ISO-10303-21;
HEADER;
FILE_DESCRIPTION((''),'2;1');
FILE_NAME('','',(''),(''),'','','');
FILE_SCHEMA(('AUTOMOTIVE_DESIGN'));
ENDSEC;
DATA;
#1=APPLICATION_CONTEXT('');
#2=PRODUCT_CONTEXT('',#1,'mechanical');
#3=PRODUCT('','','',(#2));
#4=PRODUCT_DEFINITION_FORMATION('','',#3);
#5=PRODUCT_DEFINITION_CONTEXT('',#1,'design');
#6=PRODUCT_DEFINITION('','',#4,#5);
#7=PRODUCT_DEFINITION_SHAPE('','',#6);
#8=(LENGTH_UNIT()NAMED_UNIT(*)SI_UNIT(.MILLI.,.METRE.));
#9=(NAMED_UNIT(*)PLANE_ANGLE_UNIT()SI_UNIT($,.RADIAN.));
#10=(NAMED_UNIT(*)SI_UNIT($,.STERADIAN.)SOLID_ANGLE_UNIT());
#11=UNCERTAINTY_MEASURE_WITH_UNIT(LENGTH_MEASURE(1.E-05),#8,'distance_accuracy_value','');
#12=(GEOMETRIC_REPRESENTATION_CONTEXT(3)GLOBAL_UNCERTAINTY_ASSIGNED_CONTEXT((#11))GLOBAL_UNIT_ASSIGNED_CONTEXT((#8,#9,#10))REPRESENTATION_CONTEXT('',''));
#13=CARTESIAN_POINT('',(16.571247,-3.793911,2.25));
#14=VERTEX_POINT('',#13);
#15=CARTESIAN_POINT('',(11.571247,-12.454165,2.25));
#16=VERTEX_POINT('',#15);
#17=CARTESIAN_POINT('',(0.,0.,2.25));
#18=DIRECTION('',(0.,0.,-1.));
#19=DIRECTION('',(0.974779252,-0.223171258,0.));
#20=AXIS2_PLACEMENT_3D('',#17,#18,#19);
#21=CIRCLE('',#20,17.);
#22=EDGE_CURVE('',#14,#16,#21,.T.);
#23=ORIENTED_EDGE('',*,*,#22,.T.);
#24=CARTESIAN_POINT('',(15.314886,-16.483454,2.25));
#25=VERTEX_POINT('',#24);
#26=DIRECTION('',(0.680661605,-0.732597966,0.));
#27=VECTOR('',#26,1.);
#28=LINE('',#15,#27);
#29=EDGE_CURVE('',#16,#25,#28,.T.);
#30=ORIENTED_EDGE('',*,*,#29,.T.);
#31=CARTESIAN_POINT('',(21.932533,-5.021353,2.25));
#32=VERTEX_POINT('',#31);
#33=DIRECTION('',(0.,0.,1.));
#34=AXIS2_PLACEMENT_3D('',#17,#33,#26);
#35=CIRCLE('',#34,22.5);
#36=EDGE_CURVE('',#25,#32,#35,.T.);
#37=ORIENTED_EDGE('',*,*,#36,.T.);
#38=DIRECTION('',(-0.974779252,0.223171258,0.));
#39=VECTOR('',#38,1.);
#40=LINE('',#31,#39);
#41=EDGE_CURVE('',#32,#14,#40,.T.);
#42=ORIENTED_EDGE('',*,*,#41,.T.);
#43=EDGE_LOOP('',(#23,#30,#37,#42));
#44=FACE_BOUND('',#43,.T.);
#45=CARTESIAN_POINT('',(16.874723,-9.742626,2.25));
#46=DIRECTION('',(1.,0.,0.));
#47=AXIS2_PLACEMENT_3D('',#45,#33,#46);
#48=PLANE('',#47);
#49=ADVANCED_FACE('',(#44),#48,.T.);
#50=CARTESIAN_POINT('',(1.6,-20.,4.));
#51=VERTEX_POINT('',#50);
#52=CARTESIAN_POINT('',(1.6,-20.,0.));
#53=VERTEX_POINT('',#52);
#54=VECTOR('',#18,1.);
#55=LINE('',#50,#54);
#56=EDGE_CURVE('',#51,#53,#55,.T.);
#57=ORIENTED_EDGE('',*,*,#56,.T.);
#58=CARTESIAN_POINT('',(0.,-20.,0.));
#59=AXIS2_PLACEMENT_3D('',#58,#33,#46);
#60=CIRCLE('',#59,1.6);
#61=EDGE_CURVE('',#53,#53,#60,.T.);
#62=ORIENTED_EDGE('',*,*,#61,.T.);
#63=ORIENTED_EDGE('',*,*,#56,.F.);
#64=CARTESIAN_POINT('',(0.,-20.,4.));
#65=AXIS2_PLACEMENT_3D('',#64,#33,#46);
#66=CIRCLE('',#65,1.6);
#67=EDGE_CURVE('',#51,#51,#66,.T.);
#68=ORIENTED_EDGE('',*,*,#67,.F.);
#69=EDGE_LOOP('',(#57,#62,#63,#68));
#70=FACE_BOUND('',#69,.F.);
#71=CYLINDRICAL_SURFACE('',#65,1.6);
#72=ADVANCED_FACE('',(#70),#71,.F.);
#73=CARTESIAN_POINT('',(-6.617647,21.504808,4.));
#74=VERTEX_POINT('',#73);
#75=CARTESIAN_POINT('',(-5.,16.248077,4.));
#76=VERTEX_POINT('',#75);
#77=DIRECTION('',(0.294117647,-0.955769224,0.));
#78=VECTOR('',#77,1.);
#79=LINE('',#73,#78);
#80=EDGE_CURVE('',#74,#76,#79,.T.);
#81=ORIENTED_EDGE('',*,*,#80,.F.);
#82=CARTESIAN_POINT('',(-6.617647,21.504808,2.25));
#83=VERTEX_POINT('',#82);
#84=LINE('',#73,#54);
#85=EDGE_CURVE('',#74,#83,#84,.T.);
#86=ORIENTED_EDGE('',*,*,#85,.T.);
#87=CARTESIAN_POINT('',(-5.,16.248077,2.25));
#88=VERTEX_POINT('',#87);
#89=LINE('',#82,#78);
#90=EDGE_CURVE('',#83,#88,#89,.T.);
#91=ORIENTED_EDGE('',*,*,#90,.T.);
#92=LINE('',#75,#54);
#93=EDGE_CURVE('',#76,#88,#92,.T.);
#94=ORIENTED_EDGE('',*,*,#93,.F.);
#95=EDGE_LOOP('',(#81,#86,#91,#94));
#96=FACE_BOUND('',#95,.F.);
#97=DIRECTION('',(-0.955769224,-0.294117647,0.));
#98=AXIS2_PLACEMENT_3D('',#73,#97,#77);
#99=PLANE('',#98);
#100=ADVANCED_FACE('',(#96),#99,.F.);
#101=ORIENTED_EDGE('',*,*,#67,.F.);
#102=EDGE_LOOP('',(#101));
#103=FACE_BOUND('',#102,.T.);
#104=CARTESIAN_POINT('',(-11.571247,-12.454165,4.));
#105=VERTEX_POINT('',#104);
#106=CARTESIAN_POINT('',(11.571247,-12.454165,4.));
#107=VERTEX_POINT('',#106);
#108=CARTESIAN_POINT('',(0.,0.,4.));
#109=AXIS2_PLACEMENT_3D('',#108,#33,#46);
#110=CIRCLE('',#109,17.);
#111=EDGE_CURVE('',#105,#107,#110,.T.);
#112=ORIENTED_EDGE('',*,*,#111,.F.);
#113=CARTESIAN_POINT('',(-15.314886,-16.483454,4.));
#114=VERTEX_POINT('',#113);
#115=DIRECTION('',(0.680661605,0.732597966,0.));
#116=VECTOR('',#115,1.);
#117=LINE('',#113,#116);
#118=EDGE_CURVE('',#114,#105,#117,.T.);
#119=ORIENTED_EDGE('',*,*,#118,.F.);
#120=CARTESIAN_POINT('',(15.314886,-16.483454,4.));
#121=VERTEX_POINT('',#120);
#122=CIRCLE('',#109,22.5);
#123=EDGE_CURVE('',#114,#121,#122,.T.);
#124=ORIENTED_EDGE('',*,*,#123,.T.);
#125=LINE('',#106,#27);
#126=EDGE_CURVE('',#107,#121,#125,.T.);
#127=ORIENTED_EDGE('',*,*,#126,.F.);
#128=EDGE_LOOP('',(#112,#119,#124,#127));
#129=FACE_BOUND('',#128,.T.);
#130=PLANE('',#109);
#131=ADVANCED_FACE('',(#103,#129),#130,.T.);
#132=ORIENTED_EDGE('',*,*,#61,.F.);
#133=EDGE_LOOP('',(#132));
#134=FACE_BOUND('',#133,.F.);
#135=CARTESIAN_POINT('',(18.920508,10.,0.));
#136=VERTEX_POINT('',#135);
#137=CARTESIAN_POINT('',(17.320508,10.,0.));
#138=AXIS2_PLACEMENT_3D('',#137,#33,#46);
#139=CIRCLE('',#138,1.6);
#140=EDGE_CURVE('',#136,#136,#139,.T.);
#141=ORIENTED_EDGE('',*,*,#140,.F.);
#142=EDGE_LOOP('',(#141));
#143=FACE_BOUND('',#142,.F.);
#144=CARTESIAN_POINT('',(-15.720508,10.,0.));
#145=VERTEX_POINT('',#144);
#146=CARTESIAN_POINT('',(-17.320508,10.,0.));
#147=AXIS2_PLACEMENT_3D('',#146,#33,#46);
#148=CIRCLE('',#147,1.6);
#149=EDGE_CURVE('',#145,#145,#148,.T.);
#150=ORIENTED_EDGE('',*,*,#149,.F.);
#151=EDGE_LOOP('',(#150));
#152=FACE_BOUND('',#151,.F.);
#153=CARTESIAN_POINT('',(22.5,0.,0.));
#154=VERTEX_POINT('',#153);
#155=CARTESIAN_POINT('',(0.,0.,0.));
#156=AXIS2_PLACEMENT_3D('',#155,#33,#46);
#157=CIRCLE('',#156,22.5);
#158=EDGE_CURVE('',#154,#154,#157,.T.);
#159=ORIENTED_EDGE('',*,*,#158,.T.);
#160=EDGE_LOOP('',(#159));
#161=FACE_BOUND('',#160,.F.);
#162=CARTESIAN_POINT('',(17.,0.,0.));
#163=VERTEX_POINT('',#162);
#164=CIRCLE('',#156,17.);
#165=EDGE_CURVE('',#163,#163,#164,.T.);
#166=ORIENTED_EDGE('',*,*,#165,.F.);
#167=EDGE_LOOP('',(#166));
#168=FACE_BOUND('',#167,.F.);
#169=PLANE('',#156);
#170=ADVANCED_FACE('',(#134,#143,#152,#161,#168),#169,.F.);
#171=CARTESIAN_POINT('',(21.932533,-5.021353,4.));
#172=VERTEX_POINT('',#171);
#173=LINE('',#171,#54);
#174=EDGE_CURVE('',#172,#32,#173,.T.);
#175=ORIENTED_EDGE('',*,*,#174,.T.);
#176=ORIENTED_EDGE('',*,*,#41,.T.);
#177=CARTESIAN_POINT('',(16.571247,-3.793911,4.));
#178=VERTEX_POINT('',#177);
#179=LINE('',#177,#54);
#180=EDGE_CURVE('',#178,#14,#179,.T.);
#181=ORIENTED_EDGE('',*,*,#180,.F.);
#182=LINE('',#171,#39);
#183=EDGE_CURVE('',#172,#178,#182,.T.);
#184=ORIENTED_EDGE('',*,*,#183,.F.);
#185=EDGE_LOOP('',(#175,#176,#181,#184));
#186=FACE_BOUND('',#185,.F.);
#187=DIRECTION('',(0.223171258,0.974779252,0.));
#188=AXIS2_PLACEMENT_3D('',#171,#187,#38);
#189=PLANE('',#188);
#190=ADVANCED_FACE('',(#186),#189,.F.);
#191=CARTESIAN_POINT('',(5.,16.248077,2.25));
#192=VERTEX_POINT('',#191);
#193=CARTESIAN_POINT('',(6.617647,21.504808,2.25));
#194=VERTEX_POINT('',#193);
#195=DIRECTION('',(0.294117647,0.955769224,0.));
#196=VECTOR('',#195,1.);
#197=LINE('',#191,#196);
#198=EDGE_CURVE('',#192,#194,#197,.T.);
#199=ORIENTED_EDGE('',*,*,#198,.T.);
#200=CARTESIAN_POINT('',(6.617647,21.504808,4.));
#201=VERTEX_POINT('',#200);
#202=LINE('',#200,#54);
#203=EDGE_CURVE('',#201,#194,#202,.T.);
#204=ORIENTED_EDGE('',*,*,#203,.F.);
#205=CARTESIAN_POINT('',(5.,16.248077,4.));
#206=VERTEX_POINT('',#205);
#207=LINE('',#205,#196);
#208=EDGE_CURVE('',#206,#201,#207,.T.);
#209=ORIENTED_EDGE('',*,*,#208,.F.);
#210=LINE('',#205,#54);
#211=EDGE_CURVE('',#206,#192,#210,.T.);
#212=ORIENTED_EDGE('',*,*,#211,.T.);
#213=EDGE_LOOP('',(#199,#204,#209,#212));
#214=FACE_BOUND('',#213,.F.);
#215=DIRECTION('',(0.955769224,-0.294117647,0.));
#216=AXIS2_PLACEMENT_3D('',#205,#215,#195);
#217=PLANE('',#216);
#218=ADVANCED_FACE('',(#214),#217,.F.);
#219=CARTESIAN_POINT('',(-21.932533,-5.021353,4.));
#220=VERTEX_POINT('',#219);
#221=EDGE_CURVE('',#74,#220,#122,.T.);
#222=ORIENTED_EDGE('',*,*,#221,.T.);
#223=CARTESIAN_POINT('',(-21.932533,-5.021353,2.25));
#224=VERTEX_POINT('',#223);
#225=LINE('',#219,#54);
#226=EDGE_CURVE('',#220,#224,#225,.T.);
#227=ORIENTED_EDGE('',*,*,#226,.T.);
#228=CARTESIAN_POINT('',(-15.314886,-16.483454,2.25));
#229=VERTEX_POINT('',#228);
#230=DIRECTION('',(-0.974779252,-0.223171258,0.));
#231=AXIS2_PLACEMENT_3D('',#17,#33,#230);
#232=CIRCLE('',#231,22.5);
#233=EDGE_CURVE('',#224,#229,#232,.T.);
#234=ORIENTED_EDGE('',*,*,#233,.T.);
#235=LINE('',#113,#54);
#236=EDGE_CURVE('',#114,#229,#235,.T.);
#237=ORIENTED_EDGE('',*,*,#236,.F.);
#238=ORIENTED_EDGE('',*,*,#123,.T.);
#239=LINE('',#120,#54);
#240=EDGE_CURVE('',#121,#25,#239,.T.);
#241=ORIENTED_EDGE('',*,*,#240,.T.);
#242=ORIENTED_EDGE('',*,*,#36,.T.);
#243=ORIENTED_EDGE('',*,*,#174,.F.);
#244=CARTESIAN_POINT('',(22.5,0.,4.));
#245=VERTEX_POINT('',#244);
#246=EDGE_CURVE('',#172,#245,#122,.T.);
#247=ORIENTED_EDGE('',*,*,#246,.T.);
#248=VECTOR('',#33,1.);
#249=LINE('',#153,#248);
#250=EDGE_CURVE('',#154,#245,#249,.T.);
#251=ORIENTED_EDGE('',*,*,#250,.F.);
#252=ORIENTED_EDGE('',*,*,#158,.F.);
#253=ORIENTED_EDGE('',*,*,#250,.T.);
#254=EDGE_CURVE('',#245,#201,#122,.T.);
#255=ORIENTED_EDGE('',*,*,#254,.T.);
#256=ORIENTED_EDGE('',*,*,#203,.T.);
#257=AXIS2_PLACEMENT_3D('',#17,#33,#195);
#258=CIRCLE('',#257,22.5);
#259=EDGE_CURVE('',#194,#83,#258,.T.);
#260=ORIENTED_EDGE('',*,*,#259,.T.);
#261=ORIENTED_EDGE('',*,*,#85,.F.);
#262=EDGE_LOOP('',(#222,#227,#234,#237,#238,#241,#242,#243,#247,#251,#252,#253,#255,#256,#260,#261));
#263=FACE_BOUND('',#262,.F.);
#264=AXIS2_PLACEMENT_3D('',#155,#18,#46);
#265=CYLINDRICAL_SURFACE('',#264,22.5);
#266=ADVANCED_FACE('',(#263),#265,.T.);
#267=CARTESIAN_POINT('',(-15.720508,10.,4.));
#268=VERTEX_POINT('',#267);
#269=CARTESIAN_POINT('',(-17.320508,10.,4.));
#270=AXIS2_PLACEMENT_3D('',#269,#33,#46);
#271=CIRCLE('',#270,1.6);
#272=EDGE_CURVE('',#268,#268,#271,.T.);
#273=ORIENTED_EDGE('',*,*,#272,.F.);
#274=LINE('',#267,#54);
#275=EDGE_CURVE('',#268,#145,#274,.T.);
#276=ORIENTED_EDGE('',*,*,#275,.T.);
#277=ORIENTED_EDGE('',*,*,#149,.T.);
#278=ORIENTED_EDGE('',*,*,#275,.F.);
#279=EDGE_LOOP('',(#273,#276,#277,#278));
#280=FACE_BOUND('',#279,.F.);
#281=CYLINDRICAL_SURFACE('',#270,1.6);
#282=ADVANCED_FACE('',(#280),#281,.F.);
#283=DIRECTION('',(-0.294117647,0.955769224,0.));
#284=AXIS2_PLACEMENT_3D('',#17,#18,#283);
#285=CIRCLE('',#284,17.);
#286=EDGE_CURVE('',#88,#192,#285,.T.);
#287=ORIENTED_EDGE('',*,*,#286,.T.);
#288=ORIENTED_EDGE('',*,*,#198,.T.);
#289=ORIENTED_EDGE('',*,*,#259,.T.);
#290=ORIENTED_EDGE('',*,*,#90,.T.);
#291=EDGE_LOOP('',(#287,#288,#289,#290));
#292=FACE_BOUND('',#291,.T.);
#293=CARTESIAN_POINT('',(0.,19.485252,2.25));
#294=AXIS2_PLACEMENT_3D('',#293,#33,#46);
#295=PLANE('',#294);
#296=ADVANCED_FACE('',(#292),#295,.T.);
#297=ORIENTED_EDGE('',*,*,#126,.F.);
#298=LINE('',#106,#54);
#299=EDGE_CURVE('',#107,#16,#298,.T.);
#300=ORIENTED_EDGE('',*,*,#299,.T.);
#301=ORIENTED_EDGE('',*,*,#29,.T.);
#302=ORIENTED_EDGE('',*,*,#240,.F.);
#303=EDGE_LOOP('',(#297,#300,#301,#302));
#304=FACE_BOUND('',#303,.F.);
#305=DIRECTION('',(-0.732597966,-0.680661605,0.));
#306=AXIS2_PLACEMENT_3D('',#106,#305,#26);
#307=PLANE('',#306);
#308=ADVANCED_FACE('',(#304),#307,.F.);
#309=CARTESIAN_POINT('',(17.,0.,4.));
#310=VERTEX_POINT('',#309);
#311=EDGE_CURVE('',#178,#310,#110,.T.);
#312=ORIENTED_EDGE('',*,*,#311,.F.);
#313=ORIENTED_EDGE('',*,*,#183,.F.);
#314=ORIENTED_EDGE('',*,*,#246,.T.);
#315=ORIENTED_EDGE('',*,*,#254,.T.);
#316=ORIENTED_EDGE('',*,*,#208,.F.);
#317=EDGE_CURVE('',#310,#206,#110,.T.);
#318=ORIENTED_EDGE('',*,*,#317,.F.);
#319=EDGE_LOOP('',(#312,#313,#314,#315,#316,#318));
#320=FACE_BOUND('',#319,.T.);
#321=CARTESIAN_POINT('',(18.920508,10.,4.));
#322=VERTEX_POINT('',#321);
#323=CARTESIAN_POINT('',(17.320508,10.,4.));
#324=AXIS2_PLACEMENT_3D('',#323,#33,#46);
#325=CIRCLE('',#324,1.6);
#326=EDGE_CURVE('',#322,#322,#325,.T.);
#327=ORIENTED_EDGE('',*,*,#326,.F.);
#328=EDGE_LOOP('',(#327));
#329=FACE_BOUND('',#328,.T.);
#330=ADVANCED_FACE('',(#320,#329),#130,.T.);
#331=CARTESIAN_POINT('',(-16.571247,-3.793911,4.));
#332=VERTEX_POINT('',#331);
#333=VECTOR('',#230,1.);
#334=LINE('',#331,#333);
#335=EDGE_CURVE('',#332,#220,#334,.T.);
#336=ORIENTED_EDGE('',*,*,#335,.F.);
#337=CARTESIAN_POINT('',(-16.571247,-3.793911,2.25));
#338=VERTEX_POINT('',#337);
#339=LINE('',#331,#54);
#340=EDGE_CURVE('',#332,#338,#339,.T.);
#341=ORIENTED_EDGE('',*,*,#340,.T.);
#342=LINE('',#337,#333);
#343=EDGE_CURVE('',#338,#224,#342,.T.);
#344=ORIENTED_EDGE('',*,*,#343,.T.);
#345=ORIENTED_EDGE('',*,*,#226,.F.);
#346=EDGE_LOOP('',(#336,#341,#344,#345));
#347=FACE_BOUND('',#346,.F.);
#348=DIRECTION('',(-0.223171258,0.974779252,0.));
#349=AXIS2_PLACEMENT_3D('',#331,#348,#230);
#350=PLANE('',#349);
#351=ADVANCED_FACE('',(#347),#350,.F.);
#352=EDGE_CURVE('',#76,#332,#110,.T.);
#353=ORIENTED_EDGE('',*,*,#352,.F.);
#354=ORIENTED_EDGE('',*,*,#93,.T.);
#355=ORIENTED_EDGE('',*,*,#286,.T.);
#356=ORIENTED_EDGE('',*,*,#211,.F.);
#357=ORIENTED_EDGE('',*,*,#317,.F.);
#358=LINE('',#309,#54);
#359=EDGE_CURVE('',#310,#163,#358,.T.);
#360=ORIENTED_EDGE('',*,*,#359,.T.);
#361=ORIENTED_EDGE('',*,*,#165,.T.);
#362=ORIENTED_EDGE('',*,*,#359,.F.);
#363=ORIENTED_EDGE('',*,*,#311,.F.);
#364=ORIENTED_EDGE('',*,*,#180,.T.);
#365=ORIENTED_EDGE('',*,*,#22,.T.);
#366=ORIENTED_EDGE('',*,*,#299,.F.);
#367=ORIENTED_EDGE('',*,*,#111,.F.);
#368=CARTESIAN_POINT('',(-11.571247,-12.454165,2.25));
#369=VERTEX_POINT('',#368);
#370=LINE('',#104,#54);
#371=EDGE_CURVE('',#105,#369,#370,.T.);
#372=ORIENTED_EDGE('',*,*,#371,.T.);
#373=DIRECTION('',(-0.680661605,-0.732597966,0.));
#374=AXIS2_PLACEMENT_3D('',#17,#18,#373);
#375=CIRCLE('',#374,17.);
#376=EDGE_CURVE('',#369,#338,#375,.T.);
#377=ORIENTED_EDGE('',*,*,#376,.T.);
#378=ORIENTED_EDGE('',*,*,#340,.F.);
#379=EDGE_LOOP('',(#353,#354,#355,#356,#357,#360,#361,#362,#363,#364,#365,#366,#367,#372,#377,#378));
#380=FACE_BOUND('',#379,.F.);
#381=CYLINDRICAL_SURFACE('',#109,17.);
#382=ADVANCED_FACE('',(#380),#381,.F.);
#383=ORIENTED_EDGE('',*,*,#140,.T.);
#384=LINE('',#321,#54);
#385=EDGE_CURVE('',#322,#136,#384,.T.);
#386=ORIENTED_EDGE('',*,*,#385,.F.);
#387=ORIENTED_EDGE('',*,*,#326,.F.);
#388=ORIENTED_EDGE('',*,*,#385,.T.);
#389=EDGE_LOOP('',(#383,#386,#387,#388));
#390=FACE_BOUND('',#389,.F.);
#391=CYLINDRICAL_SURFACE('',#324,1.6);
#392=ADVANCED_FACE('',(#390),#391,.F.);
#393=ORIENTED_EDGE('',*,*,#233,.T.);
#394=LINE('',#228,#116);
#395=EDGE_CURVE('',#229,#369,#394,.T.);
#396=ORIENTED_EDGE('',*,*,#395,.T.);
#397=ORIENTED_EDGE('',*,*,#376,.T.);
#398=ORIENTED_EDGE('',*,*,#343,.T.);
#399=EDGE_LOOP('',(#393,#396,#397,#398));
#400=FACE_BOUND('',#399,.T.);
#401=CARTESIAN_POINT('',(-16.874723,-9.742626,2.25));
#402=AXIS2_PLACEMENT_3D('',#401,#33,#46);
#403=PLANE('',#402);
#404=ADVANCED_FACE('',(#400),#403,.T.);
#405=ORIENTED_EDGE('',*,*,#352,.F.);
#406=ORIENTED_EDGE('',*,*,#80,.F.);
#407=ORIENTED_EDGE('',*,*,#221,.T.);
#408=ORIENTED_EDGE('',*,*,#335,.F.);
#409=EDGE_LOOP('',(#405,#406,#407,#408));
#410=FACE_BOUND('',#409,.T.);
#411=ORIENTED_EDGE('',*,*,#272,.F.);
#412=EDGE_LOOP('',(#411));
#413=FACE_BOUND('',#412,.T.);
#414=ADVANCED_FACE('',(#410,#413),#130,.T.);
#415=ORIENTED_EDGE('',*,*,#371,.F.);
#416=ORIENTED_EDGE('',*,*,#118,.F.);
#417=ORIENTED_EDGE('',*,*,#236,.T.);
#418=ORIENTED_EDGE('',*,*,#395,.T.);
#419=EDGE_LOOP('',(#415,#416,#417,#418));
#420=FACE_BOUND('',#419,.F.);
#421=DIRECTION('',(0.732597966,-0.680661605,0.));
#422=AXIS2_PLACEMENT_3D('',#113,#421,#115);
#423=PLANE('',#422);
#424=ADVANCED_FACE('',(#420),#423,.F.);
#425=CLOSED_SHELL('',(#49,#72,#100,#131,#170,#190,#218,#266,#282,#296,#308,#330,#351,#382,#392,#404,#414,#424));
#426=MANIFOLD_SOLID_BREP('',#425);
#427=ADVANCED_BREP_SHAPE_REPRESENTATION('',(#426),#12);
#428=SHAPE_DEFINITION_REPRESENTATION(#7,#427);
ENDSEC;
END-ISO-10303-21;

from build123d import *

# Parameters (mm, degrees)
F0_R     = 22.5
F1_DEPTH = 4
F2_R     = 17
F3_DEPTH = 4
F5_DEPTH = 1.75
F6_R     = 1.6
F7_DEPTH = 4


with BuildPart() as f1:
    # F0 (on Top) → F1 (new body)
    with BuildSketch(Plane.XY):
        Circle(F0_R)
    extrude(amount=F1_DEPTH)

    # F2 (on face) → F3 (cut)
    with BuildSketch(Plane.XY.offset(4)):
        Circle(F2_R)
    extrude(amount=-F3_DEPTH, mode=Mode.SUBTRACT)

    # F4 (on face) → F5 (cut)
    with BuildSketch(Plane.XY.offset(4)):
        with BuildLine():
            Line((-6.6176470588, 21.5048075417), (-5, 16.2480768093))
            ThreePointArc((-5, 16.2480768093), (0, 17), (5, 16.2480768093))
            Line((5, 16.2480768093), (6.6176470588, 21.5048075417))
            ThreePointArc((6.6176470588, 21.5048075417), (0, 22.5), (-6.6176470588, 21.5048075417))
        make_face()
        with BuildLine():
            Line((-16.5712472795, -3.7939113857), (-21.932533164, -5.0213533046))
            ThreePointArc((-21.932533164, -5.0213533046), (-19.4855715851, -11.25), (-15.3148861052, -16.4834542371))
            Line((-15.3148861052, -16.4834542371), (-11.5712472795, -12.4541654236))
            ThreePointArc((-11.5712472795, -12.4541654236), (-14.7224318643, -8.5), (-16.5712472795, -3.7939113857))
        make_face()
        with BuildLine():
            Line((11.5712472795, -12.4541654236), (15.3148861052, -16.4834542371))
            ThreePointArc((15.3148861052, -16.4834542371), (19.4855715851, -11.25), (21.932533164, -5.0213533046))
            Line((21.932533164, -5.0213533046), (16.5712472795, -3.7939113857))
            ThreePointArc((16.5712472795, -3.7939113857), (14.7224318643, -8.5), (11.5712472795, -12.4541654236))
        make_face()
    extrude(amount=-F5_DEPTH, mode=Mode.SUBTRACT)

    # F6 (on face) → F7 (cut)
    with BuildSketch(Plane.XY.offset(4)):
        with Locations((0, -20)):
            Circle(F6_R)
        with Locations((17.3205080757, 10)):
            Circle(F6_R)
        with Locations((-17.3205080757, 10)):
            Circle(F6_R)
    extrude(amount=-F7_DEPTH, mode=Mode.SUBTRACT)


solid = f1.part
